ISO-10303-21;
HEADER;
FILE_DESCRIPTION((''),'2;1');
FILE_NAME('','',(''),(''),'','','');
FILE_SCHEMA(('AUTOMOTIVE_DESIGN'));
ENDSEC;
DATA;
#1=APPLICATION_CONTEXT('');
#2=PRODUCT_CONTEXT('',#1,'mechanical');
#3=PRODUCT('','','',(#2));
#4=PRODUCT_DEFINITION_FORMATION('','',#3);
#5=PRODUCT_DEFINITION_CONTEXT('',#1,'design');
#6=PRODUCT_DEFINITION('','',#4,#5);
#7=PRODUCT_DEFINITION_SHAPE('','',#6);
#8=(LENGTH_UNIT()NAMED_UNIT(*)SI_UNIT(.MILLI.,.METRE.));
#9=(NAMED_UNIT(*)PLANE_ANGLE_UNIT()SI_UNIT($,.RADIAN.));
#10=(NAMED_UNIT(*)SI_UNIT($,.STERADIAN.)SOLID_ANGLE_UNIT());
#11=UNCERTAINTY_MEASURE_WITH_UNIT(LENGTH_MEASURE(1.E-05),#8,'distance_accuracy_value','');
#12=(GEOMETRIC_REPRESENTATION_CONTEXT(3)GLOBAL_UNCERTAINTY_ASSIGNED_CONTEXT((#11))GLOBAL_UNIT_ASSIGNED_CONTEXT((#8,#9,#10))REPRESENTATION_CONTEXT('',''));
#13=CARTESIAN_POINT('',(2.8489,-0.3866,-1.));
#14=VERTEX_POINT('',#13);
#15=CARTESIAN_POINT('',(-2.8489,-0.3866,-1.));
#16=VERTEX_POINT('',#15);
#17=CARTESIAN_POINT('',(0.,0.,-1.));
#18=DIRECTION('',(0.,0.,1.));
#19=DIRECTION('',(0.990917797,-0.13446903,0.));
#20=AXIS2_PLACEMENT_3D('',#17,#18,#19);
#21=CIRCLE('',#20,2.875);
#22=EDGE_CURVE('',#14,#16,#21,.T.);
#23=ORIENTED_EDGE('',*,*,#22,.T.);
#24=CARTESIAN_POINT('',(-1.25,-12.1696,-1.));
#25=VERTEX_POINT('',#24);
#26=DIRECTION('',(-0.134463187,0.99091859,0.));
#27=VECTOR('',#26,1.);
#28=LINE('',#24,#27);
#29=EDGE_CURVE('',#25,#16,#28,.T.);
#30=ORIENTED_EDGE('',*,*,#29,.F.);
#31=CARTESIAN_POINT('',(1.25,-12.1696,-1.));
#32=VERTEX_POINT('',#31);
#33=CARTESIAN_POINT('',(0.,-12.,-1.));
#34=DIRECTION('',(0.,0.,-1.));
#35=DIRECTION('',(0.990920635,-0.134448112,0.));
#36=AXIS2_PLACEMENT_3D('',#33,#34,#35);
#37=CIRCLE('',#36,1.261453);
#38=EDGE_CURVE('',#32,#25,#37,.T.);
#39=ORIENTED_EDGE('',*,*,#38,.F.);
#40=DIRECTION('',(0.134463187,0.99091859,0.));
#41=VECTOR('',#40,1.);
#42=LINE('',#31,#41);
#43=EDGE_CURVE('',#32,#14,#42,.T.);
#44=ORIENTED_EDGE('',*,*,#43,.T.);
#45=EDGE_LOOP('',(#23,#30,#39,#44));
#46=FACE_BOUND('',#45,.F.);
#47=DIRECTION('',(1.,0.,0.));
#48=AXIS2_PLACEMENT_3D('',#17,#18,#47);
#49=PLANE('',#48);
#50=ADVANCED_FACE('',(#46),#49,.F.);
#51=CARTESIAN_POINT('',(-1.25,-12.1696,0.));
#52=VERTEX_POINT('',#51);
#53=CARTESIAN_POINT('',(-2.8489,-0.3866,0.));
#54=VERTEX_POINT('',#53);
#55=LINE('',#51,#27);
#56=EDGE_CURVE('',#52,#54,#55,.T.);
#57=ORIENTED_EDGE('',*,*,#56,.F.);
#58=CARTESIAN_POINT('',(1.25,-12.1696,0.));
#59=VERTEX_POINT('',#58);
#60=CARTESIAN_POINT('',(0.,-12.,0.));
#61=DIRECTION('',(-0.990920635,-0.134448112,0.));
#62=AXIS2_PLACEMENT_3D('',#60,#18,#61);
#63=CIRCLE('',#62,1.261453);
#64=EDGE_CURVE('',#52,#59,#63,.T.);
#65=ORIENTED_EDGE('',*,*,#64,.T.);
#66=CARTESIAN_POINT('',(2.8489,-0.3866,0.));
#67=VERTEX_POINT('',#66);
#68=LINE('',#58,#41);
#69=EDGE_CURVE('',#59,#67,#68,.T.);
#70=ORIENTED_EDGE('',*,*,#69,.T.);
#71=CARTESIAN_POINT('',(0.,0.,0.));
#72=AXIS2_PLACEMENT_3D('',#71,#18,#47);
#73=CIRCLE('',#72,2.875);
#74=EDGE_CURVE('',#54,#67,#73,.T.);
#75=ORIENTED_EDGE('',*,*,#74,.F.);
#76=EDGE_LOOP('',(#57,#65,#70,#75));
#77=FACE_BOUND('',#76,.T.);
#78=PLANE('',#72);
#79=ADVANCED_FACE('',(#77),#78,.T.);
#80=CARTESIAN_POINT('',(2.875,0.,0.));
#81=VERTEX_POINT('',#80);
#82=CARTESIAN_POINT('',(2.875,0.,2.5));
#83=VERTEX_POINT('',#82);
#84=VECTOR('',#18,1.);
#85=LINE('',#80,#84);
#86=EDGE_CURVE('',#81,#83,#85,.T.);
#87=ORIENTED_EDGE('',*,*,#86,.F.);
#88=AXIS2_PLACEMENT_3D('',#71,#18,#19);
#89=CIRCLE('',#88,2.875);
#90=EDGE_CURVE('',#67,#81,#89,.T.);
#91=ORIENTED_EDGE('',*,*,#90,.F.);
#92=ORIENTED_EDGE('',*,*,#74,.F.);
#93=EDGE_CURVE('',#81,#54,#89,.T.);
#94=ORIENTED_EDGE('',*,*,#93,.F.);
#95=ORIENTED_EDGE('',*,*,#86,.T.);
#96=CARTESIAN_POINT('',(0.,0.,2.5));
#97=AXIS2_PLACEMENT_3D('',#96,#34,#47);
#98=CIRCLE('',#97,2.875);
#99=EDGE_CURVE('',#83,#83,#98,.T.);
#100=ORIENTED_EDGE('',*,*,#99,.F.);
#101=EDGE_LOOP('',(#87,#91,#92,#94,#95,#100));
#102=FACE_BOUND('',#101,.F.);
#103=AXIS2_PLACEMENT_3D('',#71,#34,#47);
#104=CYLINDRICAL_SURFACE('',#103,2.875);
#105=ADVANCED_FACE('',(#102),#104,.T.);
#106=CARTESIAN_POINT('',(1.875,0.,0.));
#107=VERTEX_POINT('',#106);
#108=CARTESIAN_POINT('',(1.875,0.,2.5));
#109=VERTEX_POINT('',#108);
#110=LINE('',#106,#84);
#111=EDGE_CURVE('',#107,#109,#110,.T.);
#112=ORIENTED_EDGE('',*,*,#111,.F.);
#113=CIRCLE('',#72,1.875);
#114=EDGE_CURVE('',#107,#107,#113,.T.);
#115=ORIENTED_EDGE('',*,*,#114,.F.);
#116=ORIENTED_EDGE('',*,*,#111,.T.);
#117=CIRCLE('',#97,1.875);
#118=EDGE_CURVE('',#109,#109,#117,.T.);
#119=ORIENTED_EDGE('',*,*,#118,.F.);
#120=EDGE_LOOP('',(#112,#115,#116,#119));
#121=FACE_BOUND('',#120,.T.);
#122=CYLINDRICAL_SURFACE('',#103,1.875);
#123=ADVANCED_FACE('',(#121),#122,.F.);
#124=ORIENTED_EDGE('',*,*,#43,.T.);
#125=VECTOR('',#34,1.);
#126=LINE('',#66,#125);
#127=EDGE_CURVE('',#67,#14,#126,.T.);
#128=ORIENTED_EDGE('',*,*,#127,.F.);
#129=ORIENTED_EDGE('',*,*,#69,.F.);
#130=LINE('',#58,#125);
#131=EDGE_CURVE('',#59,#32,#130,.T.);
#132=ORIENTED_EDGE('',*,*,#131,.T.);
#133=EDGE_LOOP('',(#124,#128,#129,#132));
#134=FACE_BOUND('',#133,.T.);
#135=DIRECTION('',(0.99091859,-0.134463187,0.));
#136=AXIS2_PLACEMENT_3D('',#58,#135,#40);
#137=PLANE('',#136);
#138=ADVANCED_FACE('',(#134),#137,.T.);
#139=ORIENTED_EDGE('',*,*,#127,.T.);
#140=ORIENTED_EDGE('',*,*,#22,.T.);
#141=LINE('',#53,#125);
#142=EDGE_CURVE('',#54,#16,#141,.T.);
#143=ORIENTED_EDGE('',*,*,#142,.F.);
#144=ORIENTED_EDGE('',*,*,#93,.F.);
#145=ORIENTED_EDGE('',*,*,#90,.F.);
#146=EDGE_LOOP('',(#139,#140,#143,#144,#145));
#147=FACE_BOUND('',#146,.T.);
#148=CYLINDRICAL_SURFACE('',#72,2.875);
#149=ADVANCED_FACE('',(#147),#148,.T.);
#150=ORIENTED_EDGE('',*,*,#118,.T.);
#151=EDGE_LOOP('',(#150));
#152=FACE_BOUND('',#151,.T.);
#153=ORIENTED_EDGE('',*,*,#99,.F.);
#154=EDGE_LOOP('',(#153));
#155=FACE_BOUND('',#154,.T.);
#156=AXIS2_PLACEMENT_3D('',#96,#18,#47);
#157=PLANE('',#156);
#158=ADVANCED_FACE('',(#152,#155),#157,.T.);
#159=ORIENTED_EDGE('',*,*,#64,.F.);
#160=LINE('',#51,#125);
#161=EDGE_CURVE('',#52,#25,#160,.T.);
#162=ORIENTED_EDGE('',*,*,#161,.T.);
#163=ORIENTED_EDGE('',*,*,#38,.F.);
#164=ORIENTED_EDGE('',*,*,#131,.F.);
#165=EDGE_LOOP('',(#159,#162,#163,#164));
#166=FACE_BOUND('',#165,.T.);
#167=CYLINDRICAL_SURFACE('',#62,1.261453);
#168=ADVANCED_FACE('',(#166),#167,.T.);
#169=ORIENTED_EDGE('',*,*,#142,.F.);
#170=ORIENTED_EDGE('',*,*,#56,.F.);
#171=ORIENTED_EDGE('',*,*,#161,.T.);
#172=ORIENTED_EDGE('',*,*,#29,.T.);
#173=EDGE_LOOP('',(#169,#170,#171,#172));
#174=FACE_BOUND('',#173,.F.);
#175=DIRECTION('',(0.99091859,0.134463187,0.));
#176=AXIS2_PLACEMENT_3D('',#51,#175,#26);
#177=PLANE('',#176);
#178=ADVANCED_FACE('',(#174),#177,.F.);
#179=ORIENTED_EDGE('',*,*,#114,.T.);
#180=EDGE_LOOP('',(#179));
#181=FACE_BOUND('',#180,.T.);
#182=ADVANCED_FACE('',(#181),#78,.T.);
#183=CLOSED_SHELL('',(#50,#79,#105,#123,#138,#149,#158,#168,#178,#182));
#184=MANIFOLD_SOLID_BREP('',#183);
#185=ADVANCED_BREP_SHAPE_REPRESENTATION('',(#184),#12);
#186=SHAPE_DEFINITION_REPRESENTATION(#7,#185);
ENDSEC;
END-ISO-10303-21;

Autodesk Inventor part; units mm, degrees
ref_plane "YZ Plane" through (0, 0, 0) normal (1, 0, 0) x (0, 1, 0)
ref_plane "XZ Plane" through (0, 0, 0) normal (0, 1, 0) x (-1, 0, 0)
ref_plane "XY Plane" through (0, 0, 0) normal (0, 0, 1) x (1, 0, 0)
sketch "Sketch1" plane through (0, 0, 0) normal (0, 0, 1) x (1, 0, 0)
  circle A0 centre (0, 0) radius 1.875
  circle A1 centre (0, 0) radius 2.875
  line L0 (-2.8489, -0.3866) -> (0, -21.3815) construction
  line L1 (0, -21.3815) -> (2.8489, -0.3866) construction
  line L2 (0, -26.2328) -> (0, 7.7263) projected
  line L3 (-4.025, 0) -> (4.025, 0) projected
  arc A2 (-1.25, -12.1696) -> (1.25, -12.1696) centre (0, -12) ccw
  line L4 (-1.25, -12.1696) -> (-2.8489, -0.3866)
  line L5 (1.25, -12.1696) -> (2.8489, -0.3866)
  dimension "d0" = 3.75
  dimension "d1" = 1
  dimension "d2" = 12
  dimension "d3" = 2.5
extrude "Extrusion1" add sketch "Sketch1" against normal blind 1
extrude "Extrusion2" add sketch "Sketch1" along normal blind 2.5 contours L3 A1 L2 A0 | A0 L2 A1 L3 | A0 L3 A1 L2 | L2 A1 L3 A0
properties part number "empty"
